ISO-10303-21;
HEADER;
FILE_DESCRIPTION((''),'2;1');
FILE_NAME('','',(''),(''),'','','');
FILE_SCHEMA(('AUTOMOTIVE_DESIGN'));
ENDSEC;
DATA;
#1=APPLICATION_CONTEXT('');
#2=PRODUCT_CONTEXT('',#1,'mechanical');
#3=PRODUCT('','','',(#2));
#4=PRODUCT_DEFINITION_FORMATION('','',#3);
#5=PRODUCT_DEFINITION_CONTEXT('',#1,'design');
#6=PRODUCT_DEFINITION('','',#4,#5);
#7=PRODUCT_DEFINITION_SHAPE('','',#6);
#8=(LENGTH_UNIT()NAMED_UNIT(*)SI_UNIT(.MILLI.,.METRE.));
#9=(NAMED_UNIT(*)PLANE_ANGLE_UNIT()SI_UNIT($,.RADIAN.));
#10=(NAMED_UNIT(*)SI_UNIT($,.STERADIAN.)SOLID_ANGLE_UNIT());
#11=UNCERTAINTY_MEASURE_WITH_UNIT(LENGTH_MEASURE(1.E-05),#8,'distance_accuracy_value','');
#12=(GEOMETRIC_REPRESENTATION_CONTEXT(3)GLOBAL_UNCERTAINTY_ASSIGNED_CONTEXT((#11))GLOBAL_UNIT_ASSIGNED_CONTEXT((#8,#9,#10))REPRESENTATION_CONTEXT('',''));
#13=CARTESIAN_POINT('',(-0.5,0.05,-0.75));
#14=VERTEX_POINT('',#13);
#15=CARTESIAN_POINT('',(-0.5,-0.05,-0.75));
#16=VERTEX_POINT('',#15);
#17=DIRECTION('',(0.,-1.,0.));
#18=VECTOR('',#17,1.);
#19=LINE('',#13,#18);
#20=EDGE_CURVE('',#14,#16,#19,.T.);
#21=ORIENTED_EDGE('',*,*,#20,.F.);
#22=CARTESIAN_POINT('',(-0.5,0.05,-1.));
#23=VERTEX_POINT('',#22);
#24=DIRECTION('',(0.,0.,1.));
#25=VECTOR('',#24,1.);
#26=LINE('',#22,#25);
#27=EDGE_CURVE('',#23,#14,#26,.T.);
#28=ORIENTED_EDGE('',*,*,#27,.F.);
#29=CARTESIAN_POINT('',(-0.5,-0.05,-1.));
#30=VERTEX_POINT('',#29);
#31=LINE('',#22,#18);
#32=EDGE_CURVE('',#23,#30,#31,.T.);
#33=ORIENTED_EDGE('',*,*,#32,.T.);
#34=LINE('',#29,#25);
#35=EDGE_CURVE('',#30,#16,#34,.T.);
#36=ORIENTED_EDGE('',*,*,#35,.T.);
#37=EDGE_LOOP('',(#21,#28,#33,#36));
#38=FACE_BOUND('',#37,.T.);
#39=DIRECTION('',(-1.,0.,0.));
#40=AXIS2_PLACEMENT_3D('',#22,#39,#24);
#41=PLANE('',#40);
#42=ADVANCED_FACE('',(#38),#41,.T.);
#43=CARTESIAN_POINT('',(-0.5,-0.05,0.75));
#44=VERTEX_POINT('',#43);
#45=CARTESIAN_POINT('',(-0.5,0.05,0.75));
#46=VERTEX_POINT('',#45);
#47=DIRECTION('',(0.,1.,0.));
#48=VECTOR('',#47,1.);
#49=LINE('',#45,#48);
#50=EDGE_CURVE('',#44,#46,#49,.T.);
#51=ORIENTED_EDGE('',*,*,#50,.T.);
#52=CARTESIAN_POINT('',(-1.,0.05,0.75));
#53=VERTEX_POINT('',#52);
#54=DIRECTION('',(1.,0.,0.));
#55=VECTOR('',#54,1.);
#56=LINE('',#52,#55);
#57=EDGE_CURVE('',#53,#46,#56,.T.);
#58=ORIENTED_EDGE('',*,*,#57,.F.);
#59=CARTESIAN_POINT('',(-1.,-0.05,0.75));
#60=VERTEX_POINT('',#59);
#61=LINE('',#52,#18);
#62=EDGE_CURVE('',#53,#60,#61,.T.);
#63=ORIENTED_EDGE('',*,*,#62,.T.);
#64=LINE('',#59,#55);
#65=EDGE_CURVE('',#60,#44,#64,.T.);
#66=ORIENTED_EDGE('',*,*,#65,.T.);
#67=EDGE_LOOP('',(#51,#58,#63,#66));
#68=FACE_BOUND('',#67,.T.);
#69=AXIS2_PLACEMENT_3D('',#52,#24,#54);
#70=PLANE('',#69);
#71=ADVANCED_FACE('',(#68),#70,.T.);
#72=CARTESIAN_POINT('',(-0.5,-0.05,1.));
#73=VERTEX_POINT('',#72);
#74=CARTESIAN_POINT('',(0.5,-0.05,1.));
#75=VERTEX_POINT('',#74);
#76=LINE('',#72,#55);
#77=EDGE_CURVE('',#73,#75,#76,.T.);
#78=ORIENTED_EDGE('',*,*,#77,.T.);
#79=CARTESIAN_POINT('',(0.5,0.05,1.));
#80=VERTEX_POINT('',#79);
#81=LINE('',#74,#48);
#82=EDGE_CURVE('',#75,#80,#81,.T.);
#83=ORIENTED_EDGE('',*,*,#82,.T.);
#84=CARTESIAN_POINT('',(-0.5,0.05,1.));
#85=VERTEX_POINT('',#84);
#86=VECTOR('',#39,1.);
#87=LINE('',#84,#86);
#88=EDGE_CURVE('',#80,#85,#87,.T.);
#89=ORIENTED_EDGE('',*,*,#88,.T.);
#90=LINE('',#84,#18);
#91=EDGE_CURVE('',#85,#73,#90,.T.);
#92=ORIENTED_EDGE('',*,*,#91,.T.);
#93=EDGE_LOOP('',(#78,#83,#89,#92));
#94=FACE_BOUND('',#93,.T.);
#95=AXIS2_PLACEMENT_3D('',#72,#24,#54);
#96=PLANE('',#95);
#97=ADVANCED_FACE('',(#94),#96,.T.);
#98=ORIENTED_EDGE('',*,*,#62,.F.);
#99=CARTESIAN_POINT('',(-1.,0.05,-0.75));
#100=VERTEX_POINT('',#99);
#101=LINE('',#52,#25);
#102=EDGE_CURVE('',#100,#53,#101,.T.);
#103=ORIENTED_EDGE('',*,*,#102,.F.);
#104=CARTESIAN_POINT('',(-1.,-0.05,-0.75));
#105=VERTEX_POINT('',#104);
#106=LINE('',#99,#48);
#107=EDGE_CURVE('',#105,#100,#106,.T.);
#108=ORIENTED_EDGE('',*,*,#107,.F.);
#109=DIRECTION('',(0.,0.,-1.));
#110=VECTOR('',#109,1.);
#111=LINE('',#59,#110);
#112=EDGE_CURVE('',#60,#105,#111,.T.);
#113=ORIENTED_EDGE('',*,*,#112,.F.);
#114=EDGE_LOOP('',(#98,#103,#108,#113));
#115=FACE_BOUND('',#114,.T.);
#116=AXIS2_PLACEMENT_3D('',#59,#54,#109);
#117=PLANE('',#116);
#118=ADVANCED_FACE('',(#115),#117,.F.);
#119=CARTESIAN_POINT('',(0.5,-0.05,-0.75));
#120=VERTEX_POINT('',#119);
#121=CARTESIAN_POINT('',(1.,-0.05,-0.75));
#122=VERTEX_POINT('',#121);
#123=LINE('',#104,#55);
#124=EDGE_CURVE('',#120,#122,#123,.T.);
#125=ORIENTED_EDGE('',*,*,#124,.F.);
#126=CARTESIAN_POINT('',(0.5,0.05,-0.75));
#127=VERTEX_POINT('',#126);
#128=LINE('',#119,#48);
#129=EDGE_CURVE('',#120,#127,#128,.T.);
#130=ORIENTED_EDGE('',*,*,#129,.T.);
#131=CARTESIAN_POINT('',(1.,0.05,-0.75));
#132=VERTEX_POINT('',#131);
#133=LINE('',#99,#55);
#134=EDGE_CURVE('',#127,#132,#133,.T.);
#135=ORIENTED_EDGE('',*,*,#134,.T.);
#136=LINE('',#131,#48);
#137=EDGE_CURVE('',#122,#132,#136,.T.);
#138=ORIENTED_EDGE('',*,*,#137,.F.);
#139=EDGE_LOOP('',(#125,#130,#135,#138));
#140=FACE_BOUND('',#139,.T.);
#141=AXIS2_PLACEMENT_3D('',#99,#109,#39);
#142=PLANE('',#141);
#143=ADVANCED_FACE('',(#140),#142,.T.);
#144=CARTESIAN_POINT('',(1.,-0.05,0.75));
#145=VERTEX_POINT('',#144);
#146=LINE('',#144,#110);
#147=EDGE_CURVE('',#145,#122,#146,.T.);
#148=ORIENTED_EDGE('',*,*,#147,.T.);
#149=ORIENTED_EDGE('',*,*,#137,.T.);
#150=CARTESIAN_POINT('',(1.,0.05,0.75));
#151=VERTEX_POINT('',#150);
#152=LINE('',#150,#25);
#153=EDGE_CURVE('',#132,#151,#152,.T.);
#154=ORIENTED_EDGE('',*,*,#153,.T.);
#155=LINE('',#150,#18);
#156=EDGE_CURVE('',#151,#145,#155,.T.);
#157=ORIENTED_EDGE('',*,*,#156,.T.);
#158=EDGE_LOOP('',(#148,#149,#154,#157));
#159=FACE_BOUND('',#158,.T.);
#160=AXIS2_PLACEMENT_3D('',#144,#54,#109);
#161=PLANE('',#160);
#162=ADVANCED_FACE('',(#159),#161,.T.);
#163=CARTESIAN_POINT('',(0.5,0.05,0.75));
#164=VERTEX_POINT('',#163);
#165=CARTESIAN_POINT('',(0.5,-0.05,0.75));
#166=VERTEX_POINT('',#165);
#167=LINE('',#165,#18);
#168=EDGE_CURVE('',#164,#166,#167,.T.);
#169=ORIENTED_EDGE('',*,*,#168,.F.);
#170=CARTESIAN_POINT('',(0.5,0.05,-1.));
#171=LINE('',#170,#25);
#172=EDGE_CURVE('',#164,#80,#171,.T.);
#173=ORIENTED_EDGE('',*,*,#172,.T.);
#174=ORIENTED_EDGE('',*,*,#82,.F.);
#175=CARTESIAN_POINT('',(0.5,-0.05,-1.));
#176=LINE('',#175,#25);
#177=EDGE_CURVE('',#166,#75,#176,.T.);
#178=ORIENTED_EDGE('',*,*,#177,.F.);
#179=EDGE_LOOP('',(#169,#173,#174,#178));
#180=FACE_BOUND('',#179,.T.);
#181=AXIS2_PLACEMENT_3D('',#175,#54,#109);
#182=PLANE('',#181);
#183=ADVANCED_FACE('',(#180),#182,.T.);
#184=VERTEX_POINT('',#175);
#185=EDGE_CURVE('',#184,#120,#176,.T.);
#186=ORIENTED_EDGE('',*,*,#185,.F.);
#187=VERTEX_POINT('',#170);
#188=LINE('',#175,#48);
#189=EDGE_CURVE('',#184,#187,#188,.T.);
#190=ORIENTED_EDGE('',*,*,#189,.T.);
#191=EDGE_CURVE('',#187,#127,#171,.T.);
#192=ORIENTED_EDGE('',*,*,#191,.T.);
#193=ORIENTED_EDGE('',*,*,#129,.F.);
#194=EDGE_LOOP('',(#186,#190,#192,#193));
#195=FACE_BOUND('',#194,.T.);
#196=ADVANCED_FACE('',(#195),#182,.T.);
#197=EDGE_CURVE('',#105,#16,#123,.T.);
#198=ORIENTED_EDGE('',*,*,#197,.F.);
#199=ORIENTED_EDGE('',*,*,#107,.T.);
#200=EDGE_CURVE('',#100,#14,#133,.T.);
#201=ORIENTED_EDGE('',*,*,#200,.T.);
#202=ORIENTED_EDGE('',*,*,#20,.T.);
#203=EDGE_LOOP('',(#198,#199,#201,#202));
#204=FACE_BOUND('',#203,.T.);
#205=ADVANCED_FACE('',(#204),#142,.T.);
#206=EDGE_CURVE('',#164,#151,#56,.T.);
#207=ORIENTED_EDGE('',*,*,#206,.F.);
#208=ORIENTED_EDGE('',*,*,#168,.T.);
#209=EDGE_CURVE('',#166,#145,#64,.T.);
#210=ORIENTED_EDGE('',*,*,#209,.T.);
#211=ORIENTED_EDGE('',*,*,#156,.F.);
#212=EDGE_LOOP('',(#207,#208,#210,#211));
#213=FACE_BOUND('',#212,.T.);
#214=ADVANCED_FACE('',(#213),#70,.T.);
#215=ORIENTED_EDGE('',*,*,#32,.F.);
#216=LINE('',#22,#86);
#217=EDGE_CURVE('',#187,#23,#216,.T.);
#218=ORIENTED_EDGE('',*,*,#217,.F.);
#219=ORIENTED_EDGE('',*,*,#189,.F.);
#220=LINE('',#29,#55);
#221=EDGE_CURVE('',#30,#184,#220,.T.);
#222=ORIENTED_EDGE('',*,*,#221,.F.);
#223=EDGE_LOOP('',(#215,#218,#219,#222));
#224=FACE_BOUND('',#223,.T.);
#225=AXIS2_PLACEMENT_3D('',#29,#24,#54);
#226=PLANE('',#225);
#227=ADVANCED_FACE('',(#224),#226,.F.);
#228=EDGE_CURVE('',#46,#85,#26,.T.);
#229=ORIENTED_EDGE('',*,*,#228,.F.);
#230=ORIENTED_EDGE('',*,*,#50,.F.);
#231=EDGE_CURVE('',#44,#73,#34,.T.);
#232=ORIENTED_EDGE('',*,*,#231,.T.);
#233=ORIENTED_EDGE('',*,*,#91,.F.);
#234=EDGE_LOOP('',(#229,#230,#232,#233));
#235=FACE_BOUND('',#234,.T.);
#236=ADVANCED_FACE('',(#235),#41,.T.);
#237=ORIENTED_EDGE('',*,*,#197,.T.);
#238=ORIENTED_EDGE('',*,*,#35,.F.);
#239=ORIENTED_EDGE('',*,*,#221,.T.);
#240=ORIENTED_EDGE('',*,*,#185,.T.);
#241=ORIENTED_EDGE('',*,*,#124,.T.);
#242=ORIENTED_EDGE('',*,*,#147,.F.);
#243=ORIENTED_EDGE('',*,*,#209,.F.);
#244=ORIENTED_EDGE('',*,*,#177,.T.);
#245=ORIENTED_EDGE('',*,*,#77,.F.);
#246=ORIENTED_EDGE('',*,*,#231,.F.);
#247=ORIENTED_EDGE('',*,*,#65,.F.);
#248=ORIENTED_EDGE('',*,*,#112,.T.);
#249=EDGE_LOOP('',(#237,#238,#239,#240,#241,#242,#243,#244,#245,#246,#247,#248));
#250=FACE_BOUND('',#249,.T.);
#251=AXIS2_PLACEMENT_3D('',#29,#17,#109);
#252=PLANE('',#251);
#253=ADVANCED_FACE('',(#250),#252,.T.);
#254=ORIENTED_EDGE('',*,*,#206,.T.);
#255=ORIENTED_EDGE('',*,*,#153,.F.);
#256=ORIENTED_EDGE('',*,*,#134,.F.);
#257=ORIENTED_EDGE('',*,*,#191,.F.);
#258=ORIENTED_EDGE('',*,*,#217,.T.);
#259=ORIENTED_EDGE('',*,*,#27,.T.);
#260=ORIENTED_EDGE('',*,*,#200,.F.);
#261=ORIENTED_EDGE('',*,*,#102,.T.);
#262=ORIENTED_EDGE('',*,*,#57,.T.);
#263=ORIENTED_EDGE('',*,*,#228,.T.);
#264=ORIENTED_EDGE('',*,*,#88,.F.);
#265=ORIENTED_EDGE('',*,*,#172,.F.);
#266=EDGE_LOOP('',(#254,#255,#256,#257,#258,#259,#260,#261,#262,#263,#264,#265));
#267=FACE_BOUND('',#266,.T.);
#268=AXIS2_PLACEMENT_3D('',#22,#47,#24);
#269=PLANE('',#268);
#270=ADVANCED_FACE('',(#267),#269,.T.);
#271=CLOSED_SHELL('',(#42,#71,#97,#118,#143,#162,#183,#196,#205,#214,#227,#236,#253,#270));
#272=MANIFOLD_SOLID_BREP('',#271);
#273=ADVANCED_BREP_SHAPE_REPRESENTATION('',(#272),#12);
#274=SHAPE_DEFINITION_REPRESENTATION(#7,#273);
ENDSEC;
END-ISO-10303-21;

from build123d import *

# Parameters (mm, degrees)
SALIENTE_EXTRUIR2_DEPTH      = 1
SALIENTE_EXTRUIR2_DEPTH_BACK = 1
CROQUIS2_W                   = 1
CROQUIS2_H                   = 0.1
SALIENTE_EXTRUIR3_DEPTH      = 1
SALIENTE_EXTRUIR3_DEPTH_BACK = 1
CROQUIS3_W                   = 1.5
CROQUIS3_H                   = 0.1


with BuildPart() as part:
    # Croquis2 → Saliente-Extruir2 (new, two sides: drawn at the far end of the back side and taken through both)
    with BuildSketch(Plane.XY.offset(-SALIENTE_EXTRUIR2_DEPTH_BACK)):
        Rectangle(CROQUIS2_W, CROQUIS2_H)
    extrude(amount=SALIENTE_EXTRUIR2_DEPTH + SALIENTE_EXTRUIR2_DEPTH_BACK)

    # Croquis3 → Saliente-Extruir3 (add, two sides: drawn at the far end of the back side and taken through both)
    with BuildSketch(Plane(origin=(0, 0, 0), x_dir=(0, 0, -1), z_dir=(1, 0, 0)).offset(-SALIENTE_EXTRUIR3_DEPTH_BACK)):
        Rectangle(CROQUIS3_W, CROQUIS3_H)
    extrude(amount=SALIENTE_EXTRUIR3_DEPTH + SALIENTE_EXTRUIR3_DEPTH_BACK)


solid = part.part
